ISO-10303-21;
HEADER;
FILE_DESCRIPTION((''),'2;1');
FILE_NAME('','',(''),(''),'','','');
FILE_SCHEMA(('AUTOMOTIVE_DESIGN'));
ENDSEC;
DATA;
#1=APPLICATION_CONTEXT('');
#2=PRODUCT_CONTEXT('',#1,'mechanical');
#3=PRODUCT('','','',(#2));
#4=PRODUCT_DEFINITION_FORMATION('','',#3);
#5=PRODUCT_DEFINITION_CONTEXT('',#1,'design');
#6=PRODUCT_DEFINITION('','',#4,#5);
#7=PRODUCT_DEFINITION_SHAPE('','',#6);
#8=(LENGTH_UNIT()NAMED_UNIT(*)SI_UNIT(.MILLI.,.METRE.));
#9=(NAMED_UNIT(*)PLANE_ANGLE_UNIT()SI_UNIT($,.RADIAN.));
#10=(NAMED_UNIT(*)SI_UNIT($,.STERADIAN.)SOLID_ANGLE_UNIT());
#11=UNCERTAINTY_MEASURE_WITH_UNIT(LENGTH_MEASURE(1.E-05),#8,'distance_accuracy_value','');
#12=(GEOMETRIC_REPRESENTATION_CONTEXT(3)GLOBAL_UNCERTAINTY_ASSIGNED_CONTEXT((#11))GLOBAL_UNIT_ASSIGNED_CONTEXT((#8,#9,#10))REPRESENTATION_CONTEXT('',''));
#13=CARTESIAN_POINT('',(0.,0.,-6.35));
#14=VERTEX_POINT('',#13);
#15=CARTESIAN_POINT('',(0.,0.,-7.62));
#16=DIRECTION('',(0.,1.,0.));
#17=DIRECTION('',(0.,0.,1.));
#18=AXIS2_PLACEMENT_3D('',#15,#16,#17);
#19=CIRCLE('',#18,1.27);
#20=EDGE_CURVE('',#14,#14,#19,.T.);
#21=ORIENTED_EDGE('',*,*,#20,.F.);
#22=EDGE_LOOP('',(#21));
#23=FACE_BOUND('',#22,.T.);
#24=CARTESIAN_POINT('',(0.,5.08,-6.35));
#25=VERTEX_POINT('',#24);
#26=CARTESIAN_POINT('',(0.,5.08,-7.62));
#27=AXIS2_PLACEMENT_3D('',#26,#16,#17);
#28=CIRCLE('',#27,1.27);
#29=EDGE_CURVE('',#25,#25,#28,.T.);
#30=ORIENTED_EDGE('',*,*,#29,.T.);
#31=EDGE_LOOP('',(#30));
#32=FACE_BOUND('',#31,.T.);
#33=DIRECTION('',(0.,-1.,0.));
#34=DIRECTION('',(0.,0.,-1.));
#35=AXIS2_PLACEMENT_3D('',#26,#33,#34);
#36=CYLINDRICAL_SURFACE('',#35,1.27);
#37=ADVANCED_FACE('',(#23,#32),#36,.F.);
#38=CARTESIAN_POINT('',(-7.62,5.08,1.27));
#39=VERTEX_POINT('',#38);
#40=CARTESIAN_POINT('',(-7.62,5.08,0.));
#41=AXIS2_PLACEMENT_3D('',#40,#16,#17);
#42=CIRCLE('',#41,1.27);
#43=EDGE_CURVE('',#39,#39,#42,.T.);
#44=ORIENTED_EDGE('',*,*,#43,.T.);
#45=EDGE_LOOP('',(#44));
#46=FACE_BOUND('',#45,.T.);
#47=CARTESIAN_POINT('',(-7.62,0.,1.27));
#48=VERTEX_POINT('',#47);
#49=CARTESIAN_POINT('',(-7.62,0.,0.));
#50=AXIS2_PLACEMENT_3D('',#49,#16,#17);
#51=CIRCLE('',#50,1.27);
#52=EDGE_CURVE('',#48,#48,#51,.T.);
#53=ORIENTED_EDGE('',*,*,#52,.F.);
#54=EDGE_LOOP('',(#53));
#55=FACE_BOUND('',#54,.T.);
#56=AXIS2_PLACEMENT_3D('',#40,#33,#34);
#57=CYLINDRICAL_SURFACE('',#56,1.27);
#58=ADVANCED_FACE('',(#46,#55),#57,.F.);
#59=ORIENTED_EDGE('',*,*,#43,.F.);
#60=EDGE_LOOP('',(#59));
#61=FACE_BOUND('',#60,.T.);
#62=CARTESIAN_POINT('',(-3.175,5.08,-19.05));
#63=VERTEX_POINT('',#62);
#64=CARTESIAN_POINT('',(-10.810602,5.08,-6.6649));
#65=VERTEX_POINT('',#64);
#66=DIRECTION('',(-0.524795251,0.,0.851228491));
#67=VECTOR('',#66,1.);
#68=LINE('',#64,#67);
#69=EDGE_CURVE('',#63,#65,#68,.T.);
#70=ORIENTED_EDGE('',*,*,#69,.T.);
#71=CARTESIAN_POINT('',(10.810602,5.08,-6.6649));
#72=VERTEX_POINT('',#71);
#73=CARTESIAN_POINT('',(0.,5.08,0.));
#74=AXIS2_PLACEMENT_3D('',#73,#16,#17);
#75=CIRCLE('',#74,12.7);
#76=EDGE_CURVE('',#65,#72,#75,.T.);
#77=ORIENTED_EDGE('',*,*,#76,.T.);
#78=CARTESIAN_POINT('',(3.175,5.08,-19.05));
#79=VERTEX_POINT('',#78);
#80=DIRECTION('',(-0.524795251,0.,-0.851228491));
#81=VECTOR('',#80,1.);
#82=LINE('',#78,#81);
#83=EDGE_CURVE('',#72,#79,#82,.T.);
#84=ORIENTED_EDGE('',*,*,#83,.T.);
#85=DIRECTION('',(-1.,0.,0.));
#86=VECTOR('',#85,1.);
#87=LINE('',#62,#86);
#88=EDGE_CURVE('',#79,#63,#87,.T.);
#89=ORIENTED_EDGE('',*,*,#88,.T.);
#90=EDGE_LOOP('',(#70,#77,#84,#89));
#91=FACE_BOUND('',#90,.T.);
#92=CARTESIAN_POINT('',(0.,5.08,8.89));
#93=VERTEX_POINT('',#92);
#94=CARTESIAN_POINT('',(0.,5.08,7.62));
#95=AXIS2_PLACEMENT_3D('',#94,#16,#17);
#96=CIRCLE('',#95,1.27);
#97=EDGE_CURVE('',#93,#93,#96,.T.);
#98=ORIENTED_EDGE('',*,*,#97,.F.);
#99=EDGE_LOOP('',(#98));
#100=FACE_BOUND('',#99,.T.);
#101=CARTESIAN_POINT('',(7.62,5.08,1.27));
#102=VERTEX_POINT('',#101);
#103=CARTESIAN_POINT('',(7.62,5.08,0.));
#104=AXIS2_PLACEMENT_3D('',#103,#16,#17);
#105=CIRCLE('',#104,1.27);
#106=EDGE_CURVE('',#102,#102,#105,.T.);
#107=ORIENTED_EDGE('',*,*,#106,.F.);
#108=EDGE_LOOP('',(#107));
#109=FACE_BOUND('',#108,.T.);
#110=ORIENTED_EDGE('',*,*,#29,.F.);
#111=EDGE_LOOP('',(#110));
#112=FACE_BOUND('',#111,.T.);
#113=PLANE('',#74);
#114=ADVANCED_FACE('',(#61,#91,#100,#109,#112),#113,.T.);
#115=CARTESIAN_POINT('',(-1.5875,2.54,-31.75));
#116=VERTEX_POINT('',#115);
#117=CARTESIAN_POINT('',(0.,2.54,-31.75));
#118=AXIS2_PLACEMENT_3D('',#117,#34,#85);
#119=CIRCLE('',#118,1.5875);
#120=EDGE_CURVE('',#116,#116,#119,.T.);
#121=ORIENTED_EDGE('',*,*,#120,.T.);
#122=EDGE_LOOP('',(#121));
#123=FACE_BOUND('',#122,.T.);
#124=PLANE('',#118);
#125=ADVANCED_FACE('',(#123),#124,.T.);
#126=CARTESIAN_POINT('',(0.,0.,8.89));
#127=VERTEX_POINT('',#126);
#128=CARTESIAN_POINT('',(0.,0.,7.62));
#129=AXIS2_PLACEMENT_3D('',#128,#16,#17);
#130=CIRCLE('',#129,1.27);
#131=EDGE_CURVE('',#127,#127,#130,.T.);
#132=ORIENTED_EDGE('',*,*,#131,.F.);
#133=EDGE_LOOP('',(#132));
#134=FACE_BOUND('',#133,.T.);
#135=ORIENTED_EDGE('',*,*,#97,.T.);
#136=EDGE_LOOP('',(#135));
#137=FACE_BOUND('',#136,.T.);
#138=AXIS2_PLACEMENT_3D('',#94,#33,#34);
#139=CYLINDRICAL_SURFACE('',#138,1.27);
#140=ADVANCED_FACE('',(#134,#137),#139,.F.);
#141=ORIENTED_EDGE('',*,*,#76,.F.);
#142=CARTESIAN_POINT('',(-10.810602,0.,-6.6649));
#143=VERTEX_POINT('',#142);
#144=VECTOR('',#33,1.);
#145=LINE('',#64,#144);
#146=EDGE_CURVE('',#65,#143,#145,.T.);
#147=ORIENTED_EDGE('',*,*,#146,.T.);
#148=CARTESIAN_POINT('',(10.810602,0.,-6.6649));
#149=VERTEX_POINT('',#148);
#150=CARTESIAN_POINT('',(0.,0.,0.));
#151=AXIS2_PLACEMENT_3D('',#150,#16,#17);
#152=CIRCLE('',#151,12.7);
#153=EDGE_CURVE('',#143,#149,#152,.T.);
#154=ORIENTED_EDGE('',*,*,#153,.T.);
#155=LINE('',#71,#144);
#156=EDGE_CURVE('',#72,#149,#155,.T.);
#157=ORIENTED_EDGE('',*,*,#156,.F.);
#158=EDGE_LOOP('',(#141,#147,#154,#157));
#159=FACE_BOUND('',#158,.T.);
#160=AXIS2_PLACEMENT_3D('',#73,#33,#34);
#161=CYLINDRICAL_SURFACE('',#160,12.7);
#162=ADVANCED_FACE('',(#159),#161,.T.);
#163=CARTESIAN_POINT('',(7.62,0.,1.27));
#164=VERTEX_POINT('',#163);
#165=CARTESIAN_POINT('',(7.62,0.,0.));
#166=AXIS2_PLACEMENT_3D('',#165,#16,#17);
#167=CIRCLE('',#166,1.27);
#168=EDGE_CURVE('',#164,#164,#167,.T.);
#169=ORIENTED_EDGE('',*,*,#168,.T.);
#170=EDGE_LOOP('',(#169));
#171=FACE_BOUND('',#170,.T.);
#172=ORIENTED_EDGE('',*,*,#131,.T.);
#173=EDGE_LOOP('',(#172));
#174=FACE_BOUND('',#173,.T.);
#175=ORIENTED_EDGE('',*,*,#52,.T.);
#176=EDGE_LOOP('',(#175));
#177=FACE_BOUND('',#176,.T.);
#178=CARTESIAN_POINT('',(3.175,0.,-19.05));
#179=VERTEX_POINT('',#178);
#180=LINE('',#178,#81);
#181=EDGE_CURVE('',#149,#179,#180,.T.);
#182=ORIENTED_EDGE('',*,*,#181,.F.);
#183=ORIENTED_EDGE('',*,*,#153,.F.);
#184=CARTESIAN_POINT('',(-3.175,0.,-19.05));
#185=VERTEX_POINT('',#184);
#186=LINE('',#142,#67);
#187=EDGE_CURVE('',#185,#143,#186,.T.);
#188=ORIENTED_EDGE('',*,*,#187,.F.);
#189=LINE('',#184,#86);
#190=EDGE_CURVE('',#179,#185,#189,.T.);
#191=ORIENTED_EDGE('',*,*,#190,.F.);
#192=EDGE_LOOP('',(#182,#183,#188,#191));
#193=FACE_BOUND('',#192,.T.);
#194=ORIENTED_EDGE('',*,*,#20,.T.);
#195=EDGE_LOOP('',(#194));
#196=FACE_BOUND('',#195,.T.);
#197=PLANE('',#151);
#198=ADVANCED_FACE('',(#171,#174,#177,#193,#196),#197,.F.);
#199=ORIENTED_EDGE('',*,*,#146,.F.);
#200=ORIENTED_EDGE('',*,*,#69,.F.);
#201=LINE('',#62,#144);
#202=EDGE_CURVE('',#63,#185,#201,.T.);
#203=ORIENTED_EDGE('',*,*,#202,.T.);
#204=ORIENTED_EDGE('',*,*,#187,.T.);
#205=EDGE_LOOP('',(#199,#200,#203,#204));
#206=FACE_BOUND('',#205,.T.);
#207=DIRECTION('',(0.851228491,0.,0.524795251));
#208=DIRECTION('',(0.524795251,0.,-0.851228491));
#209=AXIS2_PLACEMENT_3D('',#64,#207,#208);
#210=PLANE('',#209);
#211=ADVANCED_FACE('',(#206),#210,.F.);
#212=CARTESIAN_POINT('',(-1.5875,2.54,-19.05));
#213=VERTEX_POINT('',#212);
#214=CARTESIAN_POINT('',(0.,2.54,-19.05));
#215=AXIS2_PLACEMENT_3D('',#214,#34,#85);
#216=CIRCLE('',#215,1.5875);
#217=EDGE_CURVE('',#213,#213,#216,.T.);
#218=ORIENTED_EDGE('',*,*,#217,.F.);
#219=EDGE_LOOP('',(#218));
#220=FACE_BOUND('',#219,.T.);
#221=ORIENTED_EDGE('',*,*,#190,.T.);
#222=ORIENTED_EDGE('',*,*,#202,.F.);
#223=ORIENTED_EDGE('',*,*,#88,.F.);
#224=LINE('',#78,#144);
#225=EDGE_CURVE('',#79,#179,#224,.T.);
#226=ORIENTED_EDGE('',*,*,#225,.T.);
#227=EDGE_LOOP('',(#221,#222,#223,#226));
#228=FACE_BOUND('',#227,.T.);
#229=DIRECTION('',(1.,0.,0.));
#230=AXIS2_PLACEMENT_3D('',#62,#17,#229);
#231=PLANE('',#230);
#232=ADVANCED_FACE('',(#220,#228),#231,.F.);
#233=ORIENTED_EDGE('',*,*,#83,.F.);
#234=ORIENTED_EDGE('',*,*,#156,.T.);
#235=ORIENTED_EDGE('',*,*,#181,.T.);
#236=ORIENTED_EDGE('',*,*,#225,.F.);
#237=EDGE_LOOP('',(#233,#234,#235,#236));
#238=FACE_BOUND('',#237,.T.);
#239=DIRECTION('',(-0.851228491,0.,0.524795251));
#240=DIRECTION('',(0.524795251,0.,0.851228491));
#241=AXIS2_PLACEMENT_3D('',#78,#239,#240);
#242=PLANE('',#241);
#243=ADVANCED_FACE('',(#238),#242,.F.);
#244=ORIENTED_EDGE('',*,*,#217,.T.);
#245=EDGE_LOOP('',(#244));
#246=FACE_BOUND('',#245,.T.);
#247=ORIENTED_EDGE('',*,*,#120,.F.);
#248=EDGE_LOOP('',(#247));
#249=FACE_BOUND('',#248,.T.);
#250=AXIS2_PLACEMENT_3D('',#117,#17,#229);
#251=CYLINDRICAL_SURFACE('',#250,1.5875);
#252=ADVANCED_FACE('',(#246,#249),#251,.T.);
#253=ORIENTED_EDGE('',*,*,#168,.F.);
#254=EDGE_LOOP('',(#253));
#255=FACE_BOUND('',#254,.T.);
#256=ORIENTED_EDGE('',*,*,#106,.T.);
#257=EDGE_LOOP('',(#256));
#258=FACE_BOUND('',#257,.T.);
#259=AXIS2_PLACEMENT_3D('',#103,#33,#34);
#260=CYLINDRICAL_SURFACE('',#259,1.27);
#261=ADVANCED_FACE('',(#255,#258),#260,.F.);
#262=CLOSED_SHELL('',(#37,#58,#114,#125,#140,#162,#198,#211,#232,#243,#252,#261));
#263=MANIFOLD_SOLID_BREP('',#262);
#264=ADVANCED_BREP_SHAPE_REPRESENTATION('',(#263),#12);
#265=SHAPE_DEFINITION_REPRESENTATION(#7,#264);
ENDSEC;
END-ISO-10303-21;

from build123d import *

# Parameters (mm, degrees)
SKETCH1_R           = 1.27
BOSS_EXTRUDE1_DEPTH = 5.08
SKETCH2_R           = 1.5875
BOSS_EXTRUDE2_DEPTH = 12.7


with BuildPart() as part:
    # Sketch1 → Boss-Extrude1 (new body)
    with BuildSketch(Plane(origin=(0, 0, 0), x_dir=(1, 0, 0), z_dir=(0, 1, 0))):
        with BuildLine():
            Line((-10.810601837, 6.664899694), (-3.175, 19.05))
            Line((-3.175, 19.05), (3.175, 19.05))
            Line((3.175, 19.05), (10.810601837, 6.664899694))
            ThreePointArc((10.810601837, 6.664899694), (0, -12.7), (-10.810601837, 6.664899694))
        make_face()
        with Locations(Location((0, 7.62, 0), (0, 0, 270))):
            Circle(SKETCH1_R, mode=Mode.SUBTRACT)
        with Locations(Location((7.62, 0, 0), (0, 0, 270))):
            Circle(SKETCH1_R, mode=Mode.SUBTRACT)
        with Locations(Location((0, -7.62, 0), (0, 0, 270))):
            Circle(SKETCH1_R, mode=Mode.SUBTRACT)
        with Locations(Location((-7.62, 0, 0), (0, 0, 270))):
            Circle(SKETCH1_R, mode=Mode.SUBTRACT)
    extrude(amount=BOSS_EXTRUDE1_DEPTH)

    # Sketch2 → Boss-Extrude2 (add)
    with BuildSketch(Plane(origin=(0, 0, -19.05), x_dir=(-1, 0, 0), z_dir=(0, 0, -1))):
        with Locations((0, 2.54)):
            Circle(SKETCH2_R)
    extrude(amount=BOSS_EXTRUDE2_DEPTH)


solid = part.part
